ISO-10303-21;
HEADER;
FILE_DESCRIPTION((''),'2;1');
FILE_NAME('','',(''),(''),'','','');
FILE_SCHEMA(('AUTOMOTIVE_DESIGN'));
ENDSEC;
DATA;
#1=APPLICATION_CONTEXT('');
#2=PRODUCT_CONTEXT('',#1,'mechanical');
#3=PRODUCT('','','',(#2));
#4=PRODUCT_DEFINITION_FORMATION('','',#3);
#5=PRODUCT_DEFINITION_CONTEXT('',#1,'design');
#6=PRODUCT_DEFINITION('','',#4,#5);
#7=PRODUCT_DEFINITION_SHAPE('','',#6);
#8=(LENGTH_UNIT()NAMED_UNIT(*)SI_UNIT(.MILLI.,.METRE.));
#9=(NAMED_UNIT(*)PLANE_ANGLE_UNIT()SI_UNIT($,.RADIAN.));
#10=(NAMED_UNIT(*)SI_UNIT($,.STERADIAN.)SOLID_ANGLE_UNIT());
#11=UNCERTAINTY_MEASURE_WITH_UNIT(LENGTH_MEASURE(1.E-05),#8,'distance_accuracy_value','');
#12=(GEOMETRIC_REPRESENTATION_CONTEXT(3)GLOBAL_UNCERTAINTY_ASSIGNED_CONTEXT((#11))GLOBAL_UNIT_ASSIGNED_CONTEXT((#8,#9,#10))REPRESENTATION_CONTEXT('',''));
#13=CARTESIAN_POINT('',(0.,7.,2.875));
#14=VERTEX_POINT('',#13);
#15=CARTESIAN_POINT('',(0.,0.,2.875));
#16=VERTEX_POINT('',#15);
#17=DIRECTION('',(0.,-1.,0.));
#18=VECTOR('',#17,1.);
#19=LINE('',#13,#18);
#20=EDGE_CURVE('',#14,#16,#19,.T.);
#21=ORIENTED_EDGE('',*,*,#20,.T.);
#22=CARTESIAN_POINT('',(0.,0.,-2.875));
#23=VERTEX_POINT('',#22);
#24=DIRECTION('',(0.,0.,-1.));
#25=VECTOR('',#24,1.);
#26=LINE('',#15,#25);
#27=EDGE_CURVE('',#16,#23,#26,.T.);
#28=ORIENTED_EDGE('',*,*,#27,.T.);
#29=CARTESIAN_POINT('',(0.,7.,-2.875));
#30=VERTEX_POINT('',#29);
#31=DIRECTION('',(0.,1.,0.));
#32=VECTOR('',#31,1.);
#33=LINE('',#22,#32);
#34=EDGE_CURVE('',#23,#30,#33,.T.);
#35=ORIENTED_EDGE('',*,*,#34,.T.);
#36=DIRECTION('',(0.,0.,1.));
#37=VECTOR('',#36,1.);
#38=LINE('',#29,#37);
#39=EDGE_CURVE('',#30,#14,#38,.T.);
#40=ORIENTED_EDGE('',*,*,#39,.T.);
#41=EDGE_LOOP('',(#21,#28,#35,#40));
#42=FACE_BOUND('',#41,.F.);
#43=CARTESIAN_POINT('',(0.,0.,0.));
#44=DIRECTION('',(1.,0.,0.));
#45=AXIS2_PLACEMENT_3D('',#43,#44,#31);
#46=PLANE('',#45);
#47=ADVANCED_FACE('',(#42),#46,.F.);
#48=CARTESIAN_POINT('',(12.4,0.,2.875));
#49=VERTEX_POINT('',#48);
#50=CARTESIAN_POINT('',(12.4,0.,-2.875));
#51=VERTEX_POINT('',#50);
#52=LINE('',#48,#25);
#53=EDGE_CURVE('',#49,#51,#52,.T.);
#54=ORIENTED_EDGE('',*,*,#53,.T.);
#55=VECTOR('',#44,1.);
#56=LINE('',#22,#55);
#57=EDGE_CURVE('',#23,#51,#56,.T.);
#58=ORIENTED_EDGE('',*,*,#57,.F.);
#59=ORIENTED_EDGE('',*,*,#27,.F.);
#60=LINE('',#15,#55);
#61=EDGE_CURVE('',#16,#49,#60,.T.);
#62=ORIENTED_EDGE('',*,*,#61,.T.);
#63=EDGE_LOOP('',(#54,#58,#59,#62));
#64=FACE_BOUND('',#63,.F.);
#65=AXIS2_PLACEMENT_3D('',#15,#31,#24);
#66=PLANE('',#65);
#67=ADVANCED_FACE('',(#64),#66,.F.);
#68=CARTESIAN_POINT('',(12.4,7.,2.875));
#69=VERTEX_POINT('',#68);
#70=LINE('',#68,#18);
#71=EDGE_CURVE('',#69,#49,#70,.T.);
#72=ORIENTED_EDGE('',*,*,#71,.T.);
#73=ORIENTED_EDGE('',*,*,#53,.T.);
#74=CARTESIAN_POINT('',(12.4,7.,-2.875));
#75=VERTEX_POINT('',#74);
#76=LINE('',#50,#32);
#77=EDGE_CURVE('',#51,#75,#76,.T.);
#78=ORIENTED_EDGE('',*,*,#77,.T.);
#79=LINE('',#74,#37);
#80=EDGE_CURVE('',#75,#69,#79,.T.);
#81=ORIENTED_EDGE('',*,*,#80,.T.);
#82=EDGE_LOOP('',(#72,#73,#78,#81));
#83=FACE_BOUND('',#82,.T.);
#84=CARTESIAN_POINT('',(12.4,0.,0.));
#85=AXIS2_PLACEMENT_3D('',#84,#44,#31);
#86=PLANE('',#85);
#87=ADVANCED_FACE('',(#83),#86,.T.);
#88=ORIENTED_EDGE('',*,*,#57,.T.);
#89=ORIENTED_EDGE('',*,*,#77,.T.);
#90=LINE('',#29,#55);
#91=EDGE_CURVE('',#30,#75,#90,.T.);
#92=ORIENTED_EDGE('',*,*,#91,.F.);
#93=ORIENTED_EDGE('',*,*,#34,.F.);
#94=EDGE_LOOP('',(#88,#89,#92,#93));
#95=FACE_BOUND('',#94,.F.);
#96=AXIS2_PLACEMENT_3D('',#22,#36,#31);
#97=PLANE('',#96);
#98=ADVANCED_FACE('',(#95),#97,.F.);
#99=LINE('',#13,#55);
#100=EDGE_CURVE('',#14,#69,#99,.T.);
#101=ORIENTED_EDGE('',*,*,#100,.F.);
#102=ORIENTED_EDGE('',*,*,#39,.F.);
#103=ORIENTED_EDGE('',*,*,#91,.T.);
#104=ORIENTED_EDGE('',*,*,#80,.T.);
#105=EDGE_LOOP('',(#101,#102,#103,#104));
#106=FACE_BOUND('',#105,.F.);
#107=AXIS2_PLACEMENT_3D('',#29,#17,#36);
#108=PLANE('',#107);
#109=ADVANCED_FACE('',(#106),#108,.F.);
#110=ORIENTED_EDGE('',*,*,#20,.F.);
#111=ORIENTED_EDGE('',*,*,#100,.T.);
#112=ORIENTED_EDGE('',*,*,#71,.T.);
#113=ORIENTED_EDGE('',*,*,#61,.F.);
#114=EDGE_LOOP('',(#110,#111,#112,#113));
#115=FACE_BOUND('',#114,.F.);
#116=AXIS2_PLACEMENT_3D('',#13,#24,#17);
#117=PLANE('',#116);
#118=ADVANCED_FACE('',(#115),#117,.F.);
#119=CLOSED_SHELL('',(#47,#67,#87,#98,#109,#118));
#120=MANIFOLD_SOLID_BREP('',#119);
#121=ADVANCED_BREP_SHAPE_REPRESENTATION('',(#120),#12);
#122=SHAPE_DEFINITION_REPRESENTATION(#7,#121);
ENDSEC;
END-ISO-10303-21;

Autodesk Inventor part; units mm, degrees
ref_plane "YZ Plane" through (0, 0, 0) normal (1, 0, 0) x (0, 1, 0)
ref_plane "XZ Plane" through (0, 0, 0) normal (0, 1, 0) x (-1, 0, 0)
ref_plane "XY Plane" through (0, 0, 0) normal (0, 0, 1) x (1, 0, 0)
sketch "スケッチ1" plane through (0, 0, 0) normal (1, 0, 0) x (0, 1, 0)
  line L0 (7, 2.875) -> (0, 2.875)
  line L1 (0, 2.875) -> (0, -2.875)
  line L2 (0, -2.875) -> (7, -2.875)
  line L3 (7, -2.875) -> (7, 2.875)
  point P0 (0, 0)
  point P1 (0, 0)
  dimension "d0" = 7
  dimension "d1" = 5.75
extrude "押し出し1" add sketch "スケッチ1" along normal blind 12.4
properties part number "4"
